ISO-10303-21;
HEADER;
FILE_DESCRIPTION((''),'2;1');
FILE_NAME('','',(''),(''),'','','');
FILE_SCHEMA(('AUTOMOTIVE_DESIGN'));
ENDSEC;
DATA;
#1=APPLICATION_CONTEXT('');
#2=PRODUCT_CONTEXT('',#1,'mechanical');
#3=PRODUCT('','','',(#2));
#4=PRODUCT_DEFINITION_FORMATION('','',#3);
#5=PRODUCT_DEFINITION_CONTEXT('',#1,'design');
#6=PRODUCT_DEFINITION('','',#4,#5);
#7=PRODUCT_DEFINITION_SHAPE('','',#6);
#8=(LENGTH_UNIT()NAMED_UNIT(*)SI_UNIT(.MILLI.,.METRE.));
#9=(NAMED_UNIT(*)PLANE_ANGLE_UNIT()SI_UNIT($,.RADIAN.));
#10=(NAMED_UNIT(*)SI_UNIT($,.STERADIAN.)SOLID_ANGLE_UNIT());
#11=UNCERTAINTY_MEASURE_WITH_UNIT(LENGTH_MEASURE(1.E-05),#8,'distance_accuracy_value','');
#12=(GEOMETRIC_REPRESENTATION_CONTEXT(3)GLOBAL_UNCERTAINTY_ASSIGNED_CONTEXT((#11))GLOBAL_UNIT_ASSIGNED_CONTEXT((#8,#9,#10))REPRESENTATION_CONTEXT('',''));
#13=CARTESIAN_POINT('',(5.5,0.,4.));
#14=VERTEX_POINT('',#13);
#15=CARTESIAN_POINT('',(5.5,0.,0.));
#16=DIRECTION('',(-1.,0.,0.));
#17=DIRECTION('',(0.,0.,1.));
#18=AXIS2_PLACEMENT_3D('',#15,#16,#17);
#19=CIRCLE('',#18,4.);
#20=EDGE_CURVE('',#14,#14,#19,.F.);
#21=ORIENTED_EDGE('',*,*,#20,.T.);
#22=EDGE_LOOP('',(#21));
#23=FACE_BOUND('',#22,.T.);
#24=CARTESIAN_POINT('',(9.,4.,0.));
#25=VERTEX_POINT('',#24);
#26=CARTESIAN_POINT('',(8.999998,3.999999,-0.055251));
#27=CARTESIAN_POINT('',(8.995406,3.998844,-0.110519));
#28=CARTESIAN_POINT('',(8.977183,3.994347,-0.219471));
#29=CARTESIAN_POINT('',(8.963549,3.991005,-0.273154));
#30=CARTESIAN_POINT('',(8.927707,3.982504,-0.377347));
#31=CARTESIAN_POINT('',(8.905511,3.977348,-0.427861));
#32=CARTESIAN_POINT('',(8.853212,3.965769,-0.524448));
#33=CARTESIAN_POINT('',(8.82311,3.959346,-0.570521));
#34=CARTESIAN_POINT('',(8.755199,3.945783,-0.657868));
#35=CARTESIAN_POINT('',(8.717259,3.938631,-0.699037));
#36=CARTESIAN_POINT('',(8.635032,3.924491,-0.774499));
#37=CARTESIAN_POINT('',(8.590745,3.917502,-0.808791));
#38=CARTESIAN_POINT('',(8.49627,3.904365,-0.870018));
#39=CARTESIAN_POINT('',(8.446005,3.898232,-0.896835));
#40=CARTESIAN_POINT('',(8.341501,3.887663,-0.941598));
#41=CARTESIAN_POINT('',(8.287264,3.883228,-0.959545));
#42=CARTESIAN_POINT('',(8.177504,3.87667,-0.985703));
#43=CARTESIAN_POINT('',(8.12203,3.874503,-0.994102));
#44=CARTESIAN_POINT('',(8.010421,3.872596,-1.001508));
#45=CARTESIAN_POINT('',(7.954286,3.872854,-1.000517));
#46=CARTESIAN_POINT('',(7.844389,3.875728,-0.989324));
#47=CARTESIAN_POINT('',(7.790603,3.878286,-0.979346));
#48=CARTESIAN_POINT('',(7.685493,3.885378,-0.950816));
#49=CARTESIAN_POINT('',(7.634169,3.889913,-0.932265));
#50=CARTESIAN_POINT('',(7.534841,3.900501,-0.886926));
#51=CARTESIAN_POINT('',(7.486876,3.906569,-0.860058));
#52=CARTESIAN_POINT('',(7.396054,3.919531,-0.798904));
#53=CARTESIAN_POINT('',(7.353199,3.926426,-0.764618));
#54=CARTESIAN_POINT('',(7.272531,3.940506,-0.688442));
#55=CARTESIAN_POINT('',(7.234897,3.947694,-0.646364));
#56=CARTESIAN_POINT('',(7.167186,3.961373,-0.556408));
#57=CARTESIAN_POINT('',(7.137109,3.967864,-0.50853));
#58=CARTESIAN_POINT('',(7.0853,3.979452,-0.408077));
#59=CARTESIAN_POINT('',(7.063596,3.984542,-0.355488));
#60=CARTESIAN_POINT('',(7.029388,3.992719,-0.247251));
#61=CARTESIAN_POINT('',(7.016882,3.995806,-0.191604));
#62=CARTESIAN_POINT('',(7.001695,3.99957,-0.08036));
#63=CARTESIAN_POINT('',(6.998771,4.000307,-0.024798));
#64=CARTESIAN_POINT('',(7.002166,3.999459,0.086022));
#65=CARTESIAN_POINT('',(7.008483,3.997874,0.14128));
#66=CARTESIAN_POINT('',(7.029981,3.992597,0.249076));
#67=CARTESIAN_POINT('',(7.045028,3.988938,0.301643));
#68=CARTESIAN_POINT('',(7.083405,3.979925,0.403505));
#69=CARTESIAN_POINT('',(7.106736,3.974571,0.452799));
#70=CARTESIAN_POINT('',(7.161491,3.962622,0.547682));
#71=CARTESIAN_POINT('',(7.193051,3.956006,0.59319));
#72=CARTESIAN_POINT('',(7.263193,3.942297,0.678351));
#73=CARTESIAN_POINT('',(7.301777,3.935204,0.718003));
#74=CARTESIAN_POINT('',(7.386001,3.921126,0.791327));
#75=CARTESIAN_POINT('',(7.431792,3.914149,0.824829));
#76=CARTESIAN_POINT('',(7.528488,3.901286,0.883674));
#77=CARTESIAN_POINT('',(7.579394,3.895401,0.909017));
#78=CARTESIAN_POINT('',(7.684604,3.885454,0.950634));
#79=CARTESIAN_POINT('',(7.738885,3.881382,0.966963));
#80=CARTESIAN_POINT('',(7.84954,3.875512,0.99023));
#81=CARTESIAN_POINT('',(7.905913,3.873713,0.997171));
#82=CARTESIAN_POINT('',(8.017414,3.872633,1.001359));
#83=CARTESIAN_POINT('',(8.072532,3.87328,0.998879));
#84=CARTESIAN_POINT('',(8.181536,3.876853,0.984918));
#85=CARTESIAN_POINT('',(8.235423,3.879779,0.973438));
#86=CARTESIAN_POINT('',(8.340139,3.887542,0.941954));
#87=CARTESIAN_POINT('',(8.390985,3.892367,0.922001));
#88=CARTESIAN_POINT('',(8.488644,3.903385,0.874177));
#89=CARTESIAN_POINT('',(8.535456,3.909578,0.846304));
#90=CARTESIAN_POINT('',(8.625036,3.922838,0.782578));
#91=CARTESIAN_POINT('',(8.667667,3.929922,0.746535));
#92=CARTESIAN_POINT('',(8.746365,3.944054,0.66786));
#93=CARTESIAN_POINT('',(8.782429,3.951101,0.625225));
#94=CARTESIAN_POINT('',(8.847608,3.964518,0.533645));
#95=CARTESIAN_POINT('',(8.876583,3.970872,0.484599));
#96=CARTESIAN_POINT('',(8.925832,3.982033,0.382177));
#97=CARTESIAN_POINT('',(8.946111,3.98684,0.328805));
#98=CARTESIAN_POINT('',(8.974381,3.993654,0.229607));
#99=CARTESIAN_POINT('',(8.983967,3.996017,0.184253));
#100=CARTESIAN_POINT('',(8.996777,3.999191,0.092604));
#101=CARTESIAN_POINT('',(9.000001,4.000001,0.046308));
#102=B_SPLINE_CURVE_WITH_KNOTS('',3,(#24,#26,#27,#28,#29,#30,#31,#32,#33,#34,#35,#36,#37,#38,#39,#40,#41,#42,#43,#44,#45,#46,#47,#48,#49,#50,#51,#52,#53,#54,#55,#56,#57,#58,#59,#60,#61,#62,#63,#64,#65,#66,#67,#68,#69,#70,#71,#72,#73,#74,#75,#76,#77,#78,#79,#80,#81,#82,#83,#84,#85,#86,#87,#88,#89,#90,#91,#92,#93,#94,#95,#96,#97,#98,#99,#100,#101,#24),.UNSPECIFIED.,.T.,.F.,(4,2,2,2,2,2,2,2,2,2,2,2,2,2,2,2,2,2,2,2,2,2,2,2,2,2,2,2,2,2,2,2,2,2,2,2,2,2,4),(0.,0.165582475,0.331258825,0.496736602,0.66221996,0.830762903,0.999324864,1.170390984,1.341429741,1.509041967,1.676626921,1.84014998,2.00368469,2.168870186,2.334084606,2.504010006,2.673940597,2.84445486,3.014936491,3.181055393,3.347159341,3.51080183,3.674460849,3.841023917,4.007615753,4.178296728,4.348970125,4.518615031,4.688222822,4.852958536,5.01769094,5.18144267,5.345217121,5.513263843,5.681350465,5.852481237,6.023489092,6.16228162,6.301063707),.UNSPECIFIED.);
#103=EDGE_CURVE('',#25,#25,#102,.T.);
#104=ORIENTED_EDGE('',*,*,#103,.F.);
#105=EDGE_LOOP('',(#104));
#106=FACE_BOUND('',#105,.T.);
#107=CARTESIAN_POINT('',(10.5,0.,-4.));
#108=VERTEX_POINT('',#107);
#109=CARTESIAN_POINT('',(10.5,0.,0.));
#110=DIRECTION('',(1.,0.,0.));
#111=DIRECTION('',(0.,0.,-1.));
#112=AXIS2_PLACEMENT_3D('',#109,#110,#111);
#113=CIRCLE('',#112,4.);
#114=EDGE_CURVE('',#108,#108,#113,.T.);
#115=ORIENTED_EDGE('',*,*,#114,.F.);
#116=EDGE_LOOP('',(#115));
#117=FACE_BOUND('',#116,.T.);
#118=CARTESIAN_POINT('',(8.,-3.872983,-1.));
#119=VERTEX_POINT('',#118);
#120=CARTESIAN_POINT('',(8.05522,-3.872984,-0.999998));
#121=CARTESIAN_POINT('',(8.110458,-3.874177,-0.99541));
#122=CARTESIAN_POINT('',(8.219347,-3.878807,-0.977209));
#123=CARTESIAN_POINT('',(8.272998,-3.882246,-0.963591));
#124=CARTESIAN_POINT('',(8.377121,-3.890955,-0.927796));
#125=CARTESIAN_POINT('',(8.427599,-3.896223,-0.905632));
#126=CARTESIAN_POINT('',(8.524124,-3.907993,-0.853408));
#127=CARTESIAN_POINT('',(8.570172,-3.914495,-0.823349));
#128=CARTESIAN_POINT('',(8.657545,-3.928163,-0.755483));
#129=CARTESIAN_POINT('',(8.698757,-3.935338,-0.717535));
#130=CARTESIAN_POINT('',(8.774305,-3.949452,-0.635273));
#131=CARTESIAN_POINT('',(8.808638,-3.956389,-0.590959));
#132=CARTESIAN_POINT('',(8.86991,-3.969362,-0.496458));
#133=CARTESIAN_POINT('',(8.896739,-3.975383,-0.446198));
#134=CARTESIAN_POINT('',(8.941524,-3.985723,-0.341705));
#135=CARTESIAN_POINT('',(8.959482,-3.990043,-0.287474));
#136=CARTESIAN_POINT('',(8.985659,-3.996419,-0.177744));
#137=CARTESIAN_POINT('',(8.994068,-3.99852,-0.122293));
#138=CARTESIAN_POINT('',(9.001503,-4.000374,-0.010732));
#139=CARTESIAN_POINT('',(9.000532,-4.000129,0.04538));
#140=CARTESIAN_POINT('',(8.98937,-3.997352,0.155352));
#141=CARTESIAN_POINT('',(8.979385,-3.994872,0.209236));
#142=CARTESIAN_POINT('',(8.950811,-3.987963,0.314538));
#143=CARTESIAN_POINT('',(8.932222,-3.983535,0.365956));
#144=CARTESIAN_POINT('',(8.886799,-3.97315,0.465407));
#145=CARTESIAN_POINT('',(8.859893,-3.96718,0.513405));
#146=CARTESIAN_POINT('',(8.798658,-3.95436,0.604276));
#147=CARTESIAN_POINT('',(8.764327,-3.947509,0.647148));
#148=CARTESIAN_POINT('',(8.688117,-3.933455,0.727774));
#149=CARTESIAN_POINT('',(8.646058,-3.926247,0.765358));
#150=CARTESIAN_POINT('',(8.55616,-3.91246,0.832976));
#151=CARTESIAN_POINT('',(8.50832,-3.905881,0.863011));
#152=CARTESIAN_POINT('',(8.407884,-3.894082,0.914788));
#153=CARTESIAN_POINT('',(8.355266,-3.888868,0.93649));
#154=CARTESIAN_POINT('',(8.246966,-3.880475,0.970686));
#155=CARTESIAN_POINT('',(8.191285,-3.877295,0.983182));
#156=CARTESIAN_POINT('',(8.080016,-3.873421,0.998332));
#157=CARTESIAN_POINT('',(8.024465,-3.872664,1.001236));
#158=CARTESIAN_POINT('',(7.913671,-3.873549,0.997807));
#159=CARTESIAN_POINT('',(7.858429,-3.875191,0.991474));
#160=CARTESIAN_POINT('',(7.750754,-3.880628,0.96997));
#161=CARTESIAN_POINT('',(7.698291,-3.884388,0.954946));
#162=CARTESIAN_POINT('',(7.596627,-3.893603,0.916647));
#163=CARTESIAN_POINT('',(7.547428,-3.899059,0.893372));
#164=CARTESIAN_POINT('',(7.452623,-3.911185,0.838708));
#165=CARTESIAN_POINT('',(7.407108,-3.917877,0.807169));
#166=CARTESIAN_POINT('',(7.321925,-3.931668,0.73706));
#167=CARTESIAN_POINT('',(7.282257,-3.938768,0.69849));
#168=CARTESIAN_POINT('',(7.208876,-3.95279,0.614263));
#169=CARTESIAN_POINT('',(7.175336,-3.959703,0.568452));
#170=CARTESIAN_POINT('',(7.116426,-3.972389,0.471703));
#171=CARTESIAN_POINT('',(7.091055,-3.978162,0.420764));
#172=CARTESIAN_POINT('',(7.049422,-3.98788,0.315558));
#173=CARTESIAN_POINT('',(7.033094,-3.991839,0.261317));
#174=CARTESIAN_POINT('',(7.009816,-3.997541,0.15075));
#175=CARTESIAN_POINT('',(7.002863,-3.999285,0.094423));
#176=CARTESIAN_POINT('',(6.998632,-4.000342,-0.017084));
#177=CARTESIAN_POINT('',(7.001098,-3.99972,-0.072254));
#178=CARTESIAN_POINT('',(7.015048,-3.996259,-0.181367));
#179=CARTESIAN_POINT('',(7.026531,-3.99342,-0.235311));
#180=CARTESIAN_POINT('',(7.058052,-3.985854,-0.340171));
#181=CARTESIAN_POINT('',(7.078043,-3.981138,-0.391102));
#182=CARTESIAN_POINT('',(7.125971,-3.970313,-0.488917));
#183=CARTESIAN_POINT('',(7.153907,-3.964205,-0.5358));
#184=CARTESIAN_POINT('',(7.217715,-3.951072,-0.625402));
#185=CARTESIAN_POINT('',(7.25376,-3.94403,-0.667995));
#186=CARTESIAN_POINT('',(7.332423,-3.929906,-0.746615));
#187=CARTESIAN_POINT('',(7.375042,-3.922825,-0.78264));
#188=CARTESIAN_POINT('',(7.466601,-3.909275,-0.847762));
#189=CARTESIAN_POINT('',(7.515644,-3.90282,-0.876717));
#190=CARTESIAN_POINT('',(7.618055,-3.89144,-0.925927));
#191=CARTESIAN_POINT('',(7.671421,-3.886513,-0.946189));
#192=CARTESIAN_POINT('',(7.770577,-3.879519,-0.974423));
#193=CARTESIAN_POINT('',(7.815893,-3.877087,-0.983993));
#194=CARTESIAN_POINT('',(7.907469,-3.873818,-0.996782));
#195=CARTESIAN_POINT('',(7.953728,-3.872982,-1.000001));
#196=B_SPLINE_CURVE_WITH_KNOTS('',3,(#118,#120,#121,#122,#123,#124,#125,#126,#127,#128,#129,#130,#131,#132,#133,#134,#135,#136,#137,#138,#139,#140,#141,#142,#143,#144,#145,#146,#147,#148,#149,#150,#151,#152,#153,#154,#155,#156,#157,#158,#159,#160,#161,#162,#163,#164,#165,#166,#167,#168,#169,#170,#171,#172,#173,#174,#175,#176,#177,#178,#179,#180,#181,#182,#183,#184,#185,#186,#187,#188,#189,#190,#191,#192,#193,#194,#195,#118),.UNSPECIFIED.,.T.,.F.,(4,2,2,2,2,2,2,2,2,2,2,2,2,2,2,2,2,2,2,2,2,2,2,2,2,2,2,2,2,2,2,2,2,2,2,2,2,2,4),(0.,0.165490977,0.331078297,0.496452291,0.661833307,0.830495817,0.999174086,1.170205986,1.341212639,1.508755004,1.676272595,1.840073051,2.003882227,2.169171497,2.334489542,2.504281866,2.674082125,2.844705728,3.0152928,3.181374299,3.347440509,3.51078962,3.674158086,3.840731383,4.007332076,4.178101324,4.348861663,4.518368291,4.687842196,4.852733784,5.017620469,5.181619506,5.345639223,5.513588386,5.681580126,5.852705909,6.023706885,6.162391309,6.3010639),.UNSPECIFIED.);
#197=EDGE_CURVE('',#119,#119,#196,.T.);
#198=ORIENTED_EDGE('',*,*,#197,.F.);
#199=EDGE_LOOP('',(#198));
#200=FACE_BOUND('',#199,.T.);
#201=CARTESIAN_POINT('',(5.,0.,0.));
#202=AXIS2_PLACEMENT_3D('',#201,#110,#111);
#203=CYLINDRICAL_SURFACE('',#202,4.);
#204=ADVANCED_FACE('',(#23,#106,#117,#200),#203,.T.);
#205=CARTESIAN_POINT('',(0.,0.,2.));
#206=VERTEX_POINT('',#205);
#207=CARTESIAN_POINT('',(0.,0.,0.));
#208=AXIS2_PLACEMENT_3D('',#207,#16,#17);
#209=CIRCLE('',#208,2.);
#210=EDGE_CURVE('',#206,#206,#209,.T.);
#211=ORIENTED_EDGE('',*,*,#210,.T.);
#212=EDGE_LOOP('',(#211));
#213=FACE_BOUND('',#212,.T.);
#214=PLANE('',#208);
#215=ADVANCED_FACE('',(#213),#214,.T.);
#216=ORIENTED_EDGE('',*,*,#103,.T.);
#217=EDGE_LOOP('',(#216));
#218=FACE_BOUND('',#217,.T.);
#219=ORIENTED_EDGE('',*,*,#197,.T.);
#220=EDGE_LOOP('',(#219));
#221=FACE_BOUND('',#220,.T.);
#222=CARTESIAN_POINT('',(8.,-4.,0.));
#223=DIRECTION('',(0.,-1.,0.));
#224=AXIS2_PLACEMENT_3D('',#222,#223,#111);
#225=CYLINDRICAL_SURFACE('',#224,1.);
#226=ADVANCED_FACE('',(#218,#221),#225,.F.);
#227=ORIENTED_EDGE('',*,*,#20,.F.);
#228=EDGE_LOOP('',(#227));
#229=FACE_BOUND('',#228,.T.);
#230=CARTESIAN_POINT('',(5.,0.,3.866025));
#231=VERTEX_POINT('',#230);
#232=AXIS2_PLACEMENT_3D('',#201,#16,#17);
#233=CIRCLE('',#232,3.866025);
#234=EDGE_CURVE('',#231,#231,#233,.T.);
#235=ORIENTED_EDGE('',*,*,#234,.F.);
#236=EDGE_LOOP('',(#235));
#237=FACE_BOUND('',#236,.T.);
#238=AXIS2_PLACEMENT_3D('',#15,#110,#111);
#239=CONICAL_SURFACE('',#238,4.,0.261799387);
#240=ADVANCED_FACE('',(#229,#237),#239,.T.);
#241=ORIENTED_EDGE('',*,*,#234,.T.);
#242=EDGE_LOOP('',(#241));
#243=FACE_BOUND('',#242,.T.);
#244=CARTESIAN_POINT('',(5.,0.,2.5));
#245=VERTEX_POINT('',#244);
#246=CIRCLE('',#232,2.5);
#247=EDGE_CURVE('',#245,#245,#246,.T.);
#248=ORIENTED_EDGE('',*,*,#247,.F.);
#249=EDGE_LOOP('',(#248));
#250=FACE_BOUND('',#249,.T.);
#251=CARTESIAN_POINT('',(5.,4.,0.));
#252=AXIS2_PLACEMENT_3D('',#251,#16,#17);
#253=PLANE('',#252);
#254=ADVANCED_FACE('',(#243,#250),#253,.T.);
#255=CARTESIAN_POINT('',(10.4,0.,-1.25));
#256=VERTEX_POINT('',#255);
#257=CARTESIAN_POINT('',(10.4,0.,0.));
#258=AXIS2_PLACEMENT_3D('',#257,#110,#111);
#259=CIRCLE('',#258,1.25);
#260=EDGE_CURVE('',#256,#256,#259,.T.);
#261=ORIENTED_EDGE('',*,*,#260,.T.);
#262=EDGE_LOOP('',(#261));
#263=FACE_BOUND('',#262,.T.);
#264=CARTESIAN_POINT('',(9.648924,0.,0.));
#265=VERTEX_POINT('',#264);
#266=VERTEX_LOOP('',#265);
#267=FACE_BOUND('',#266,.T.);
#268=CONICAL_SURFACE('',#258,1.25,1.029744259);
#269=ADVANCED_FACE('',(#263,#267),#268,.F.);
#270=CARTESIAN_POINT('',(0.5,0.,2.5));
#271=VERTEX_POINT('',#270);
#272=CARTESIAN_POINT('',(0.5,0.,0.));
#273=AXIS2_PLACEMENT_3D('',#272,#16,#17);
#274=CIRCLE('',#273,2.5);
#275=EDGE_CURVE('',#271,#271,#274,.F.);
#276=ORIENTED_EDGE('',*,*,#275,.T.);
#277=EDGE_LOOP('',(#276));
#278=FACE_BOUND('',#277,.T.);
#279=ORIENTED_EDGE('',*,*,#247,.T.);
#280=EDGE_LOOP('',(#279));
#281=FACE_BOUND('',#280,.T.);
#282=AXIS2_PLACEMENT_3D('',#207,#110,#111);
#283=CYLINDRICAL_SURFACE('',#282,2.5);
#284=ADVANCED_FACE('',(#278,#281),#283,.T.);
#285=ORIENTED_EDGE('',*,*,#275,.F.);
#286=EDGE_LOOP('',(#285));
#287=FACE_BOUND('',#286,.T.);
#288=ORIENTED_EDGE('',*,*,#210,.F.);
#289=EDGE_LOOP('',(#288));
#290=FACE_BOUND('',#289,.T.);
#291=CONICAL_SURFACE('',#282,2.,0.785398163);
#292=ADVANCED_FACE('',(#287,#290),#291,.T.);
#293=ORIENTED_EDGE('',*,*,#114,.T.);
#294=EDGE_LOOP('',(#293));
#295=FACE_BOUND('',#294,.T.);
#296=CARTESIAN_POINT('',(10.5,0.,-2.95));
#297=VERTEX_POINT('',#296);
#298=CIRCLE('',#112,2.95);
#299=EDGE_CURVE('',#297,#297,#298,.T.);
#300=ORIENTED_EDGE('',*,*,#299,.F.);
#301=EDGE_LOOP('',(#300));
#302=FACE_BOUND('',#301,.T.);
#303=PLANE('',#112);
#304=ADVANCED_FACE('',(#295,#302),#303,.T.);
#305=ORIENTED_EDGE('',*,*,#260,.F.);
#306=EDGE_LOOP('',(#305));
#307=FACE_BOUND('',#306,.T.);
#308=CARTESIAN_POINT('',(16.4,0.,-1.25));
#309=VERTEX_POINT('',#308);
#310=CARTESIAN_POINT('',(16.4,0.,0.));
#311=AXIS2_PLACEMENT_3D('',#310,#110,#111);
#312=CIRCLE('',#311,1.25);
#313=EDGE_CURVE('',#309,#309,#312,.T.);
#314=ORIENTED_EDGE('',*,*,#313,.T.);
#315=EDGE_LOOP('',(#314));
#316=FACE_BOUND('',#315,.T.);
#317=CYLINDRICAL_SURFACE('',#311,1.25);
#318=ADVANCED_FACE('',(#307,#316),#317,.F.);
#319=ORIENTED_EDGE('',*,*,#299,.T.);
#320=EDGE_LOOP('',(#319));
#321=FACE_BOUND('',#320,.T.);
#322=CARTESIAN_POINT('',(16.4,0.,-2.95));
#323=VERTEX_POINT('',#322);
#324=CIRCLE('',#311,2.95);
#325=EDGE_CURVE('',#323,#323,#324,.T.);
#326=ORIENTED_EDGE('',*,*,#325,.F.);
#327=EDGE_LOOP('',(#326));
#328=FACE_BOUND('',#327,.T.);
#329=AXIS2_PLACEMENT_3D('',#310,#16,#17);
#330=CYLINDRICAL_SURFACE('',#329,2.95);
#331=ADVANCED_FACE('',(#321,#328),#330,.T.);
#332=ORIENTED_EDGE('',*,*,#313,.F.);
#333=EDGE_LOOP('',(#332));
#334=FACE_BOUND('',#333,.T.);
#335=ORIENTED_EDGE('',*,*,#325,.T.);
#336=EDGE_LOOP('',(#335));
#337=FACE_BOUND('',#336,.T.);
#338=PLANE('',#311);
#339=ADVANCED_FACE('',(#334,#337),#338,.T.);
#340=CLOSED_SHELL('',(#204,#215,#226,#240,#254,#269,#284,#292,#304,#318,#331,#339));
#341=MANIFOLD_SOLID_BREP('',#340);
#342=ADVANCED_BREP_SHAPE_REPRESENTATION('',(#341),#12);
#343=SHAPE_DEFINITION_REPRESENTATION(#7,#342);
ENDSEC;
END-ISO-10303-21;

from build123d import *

# Parameters (mm, degrees)
SKETCH1_W                       = 5.5
SKETCH1_H                       = 4
SKETCH2_R                       = 2.5
BOSS_EXTRUDE1_DEPTH             = 5
SKETCH3_R                       = 2.95
BOSS_EXTRUDE2_DEPTH             = 5.9
F_2_0_2_DIAMETER_HOLE1_D        = 2
TAP_DRILL_FOR_M3X0_5_TAP1_D     = 2.5
TAP_DRILL_FOR_M3X0_5_TAP1_DEPTH = 6
TAP_DRILL_FOR_M3X0_5_TAP1_TIP   = 0.751075774
CHAMFER1_SIZE                   = 0.5
CHAMFER2_SIZE                   = 0.133974596
CHAMFER2_SIZE2                  = 0.5


with BuildPart() as part:
    # Sketch1 → Revolve1 (revolve)
    with BuildSketch(Plane.XY, mode=Mode.PRIVATE) as revolve1_sk:
        with Locations((7.75, 2)):
            Rectangle(SKETCH1_W, SKETCH1_H)
    revolve(revolve1_sk.sketch.rotate(Axis((5, 0, 0), (1, 0, 0)), 270), axis=Axis((5, 0, 0), (1, 0, 0)))

    # Sketch2 → Boss-Extrude1 (add)
    with BuildSketch(Plane.ZY.offset(-5)):
        Circle(SKETCH2_R)
    extrude(amount=BOSS_EXTRUDE1_DEPTH)

    # Sketch3 → Boss-Extrude2 (add)
    with BuildSketch(Plane(origin=(10.5, 0, 0), x_dir=(0, 0, -1), z_dir=(1, 0, 0))):
        Circle(SKETCH3_R)
    extrude(amount=BOSS_EXTRUDE2_DEPTH)

    # Ø2.0 (2) Diameter Hole1 (through all)
    with Locations(Plane(origin=(8, -4, 0), x_dir=(0, 0, -1), z_dir=(0, -1, 0))):
        with Locations((0, 0)):
            Hole(F_2_0_2_DIAMETER_HOLE1_D / 2)

    # Tap Drill for M3x0.5 Tap1
    with Locations(Plane(origin=(16.4, 0, 0), x_dir=(0, 0, -1), z_dir=(1, 0, 0))):
        with Locations((0, 0)):
            Hole(TAP_DRILL_FOR_M3X0_5_TAP1_D / 2, depth=TAP_DRILL_FOR_M3X0_5_TAP1_DEPTH)
            with Locations((0, 0, -(TAP_DRILL_FOR_M3X0_5_TAP1_DEPTH + TAP_DRILL_FOR_M3X0_5_TAP1_TIP / 2))):  # 118° drill point
                Cone(0, TAP_DRILL_FOR_M3X0_5_TAP1_D / 2, TAP_DRILL_FOR_M3X0_5_TAP1_TIP, mode=Mode.SUBTRACT)

    # Chamfer1
    chamfer1_edges = [part.edges().sort_by_distance(p)[0] for p in [
        (0, 0, -2.5),
    ]]
    chamfer(chamfer1_edges, length=CHAMFER1_SIZE)

    # Chamfer2
    chamfer2_edges = [part.edges().sort_by_distance(p)[0] for p in [
        (5, 0, 4),
    ]]
    chamfer2_side = [part.faces().sort_by_distance(p)[0] for p in [
        (5, 0, 3.886862915),
    ]]
    chamfer(chamfer2_edges, length=CHAMFER2_SIZE, length2=CHAMFER2_SIZE2, reference=chamfer2_side[0])


solid = part.part
